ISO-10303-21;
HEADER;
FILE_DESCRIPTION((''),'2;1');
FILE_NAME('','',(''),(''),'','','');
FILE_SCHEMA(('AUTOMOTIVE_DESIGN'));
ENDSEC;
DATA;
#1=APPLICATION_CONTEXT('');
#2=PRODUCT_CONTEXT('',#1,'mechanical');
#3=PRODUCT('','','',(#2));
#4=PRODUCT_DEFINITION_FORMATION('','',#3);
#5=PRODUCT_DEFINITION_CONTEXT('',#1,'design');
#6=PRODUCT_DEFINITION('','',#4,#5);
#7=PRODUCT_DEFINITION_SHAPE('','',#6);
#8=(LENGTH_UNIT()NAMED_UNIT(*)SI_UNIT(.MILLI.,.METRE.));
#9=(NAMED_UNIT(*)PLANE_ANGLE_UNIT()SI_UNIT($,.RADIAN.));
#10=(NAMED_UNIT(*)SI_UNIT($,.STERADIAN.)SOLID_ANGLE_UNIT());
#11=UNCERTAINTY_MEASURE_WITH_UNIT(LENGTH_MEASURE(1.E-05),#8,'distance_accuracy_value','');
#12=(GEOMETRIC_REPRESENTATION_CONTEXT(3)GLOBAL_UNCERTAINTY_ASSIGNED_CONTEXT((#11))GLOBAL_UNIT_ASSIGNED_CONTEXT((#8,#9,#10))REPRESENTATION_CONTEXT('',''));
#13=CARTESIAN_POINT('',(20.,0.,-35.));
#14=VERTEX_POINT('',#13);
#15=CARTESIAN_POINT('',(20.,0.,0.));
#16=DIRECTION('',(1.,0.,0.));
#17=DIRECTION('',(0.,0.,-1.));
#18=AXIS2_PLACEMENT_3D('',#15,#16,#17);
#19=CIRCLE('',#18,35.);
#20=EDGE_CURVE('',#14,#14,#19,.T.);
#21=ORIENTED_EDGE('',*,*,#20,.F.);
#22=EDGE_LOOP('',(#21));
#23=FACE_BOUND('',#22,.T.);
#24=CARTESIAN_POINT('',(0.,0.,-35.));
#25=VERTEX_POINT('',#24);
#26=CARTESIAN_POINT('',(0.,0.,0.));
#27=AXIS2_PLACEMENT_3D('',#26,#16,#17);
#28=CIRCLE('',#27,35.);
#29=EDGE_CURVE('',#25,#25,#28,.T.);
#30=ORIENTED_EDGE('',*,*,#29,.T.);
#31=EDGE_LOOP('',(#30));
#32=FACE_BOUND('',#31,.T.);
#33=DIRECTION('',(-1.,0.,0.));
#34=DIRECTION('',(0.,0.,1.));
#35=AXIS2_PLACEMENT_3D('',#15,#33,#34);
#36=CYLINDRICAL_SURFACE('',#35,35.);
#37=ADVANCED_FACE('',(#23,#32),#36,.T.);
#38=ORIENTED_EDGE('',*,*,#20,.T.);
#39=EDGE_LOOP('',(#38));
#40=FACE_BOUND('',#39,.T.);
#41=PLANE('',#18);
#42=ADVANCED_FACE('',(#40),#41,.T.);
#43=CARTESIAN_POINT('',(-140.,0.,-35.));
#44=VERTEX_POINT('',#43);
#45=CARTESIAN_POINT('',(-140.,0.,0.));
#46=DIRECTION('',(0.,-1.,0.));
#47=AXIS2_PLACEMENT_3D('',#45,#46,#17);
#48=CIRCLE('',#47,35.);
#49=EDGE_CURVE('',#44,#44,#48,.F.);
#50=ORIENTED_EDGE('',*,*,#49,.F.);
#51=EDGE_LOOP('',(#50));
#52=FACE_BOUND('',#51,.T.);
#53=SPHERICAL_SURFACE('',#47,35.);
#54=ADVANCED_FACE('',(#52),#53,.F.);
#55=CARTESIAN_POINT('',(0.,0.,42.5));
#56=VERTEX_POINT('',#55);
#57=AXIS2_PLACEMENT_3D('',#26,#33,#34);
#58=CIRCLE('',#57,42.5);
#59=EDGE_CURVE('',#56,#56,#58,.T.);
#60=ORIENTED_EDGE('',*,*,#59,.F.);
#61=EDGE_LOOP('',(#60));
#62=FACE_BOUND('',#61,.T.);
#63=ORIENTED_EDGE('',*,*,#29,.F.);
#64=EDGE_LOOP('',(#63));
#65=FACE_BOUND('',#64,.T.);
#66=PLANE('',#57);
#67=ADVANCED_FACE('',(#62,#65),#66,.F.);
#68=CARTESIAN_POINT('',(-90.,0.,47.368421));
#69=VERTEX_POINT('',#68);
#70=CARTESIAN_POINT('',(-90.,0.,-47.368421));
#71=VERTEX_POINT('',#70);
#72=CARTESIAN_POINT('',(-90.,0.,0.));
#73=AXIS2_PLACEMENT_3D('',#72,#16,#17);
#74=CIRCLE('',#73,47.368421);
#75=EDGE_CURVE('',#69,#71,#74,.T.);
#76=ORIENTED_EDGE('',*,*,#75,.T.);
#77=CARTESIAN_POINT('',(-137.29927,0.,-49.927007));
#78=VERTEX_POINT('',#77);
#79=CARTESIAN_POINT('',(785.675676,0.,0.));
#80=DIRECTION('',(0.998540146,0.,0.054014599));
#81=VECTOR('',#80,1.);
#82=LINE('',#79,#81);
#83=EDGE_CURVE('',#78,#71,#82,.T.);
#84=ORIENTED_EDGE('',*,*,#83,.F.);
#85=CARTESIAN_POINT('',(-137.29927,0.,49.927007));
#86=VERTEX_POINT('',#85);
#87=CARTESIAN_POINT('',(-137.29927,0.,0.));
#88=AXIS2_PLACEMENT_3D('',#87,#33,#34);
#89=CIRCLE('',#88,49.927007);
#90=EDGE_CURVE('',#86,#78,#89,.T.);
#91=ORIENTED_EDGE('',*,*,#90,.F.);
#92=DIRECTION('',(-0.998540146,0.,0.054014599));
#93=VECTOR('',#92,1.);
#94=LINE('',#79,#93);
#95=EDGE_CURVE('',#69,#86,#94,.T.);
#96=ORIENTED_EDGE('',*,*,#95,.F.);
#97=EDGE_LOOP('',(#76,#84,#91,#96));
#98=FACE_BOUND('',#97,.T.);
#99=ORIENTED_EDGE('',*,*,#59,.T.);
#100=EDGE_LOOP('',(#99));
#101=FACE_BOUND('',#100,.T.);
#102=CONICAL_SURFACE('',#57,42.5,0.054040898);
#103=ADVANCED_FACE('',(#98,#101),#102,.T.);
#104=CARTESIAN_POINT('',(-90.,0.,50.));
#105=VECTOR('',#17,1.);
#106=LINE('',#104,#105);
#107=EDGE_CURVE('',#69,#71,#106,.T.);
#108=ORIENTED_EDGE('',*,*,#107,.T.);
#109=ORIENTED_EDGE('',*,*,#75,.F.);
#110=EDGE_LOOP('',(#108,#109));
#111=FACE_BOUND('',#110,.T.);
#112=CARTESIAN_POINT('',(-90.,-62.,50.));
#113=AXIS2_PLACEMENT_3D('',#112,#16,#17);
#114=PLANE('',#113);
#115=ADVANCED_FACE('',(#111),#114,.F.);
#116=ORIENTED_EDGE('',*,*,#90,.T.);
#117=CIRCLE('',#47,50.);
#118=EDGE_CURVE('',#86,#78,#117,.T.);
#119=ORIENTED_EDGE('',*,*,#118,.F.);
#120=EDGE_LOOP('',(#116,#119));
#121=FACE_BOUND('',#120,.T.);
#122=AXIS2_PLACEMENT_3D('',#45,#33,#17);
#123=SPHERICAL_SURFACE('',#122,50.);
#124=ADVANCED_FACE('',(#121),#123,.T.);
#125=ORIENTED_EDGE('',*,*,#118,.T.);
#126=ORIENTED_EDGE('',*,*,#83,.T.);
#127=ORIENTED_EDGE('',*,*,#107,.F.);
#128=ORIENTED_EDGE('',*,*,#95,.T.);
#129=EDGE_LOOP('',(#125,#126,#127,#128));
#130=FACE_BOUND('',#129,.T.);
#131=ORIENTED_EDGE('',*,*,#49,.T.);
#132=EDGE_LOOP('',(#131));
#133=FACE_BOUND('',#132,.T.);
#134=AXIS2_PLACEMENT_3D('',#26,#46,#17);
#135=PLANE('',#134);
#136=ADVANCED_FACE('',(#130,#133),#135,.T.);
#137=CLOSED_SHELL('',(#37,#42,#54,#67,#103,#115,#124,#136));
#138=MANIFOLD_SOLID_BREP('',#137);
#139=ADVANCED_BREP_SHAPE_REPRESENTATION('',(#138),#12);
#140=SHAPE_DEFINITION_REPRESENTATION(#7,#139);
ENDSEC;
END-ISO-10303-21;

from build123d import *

# Parameters (mm, degrees)
SKETCH2_W           = 100
SKETCH2_H           = 100
CUT_EXTRUDE1_DEPTH  = 62
SKETCH3_R           = 35
BOSS_EXTRUDE1_DEPTH = 20


with BuildPart() as part:
    # Sketch1 → Revolve1 (revolve)
    with BuildSketch(Plane(origin=(0, 0, 0), x_dir=(1, 0, 0), z_dir=(0, 1, 0)), mode=Mode.PRIVATE) as revolve1_sk:
        with BuildLine():
            Line((0, 0), (0, 42.5))
            Line((0, 42.5), (-137.299270073, 49.927007299))
            ThreePointArc((-137.299270073, 49.927007299), (-174.387232396, 36.297634195), (-190, 0))
            Line((-190, 0), (-175, 0))
            ThreePointArc((-175, 0), (-140, 35), (-105, 0))
            Line((-105, 0), (0, 0))
        make_face()
    revolve(revolve1_sk.sketch.rotate(Axis((-105, 0, 0), (1, 0, 0)), 180), axis=Axis((-105, 0, 0), (1, 0, 0)))

    # Sketch2 → Cut-Extrude1 (cut)
    with BuildSketch(Plane(origin=(0, 0, 0), x_dir=(1, 0, 0), z_dir=(0, 1, 0))):
        with Locations((-140, 0)):
            Rectangle(SKETCH2_W, SKETCH2_H)
    extrude(amount=-CUT_EXTRUDE1_DEPTH, mode=Mode.SUBTRACT)

    # Sketch3 → Boss-Extrude1 (add)
    with BuildSketch(Plane(origin=(0, 0, 0), x_dir=(0, 0, -1), z_dir=(1, 0, 0))):
        Circle(SKETCH3_R)
    extrude(amount=BOSS_EXTRUDE1_DEPTH)


solid = part.part
